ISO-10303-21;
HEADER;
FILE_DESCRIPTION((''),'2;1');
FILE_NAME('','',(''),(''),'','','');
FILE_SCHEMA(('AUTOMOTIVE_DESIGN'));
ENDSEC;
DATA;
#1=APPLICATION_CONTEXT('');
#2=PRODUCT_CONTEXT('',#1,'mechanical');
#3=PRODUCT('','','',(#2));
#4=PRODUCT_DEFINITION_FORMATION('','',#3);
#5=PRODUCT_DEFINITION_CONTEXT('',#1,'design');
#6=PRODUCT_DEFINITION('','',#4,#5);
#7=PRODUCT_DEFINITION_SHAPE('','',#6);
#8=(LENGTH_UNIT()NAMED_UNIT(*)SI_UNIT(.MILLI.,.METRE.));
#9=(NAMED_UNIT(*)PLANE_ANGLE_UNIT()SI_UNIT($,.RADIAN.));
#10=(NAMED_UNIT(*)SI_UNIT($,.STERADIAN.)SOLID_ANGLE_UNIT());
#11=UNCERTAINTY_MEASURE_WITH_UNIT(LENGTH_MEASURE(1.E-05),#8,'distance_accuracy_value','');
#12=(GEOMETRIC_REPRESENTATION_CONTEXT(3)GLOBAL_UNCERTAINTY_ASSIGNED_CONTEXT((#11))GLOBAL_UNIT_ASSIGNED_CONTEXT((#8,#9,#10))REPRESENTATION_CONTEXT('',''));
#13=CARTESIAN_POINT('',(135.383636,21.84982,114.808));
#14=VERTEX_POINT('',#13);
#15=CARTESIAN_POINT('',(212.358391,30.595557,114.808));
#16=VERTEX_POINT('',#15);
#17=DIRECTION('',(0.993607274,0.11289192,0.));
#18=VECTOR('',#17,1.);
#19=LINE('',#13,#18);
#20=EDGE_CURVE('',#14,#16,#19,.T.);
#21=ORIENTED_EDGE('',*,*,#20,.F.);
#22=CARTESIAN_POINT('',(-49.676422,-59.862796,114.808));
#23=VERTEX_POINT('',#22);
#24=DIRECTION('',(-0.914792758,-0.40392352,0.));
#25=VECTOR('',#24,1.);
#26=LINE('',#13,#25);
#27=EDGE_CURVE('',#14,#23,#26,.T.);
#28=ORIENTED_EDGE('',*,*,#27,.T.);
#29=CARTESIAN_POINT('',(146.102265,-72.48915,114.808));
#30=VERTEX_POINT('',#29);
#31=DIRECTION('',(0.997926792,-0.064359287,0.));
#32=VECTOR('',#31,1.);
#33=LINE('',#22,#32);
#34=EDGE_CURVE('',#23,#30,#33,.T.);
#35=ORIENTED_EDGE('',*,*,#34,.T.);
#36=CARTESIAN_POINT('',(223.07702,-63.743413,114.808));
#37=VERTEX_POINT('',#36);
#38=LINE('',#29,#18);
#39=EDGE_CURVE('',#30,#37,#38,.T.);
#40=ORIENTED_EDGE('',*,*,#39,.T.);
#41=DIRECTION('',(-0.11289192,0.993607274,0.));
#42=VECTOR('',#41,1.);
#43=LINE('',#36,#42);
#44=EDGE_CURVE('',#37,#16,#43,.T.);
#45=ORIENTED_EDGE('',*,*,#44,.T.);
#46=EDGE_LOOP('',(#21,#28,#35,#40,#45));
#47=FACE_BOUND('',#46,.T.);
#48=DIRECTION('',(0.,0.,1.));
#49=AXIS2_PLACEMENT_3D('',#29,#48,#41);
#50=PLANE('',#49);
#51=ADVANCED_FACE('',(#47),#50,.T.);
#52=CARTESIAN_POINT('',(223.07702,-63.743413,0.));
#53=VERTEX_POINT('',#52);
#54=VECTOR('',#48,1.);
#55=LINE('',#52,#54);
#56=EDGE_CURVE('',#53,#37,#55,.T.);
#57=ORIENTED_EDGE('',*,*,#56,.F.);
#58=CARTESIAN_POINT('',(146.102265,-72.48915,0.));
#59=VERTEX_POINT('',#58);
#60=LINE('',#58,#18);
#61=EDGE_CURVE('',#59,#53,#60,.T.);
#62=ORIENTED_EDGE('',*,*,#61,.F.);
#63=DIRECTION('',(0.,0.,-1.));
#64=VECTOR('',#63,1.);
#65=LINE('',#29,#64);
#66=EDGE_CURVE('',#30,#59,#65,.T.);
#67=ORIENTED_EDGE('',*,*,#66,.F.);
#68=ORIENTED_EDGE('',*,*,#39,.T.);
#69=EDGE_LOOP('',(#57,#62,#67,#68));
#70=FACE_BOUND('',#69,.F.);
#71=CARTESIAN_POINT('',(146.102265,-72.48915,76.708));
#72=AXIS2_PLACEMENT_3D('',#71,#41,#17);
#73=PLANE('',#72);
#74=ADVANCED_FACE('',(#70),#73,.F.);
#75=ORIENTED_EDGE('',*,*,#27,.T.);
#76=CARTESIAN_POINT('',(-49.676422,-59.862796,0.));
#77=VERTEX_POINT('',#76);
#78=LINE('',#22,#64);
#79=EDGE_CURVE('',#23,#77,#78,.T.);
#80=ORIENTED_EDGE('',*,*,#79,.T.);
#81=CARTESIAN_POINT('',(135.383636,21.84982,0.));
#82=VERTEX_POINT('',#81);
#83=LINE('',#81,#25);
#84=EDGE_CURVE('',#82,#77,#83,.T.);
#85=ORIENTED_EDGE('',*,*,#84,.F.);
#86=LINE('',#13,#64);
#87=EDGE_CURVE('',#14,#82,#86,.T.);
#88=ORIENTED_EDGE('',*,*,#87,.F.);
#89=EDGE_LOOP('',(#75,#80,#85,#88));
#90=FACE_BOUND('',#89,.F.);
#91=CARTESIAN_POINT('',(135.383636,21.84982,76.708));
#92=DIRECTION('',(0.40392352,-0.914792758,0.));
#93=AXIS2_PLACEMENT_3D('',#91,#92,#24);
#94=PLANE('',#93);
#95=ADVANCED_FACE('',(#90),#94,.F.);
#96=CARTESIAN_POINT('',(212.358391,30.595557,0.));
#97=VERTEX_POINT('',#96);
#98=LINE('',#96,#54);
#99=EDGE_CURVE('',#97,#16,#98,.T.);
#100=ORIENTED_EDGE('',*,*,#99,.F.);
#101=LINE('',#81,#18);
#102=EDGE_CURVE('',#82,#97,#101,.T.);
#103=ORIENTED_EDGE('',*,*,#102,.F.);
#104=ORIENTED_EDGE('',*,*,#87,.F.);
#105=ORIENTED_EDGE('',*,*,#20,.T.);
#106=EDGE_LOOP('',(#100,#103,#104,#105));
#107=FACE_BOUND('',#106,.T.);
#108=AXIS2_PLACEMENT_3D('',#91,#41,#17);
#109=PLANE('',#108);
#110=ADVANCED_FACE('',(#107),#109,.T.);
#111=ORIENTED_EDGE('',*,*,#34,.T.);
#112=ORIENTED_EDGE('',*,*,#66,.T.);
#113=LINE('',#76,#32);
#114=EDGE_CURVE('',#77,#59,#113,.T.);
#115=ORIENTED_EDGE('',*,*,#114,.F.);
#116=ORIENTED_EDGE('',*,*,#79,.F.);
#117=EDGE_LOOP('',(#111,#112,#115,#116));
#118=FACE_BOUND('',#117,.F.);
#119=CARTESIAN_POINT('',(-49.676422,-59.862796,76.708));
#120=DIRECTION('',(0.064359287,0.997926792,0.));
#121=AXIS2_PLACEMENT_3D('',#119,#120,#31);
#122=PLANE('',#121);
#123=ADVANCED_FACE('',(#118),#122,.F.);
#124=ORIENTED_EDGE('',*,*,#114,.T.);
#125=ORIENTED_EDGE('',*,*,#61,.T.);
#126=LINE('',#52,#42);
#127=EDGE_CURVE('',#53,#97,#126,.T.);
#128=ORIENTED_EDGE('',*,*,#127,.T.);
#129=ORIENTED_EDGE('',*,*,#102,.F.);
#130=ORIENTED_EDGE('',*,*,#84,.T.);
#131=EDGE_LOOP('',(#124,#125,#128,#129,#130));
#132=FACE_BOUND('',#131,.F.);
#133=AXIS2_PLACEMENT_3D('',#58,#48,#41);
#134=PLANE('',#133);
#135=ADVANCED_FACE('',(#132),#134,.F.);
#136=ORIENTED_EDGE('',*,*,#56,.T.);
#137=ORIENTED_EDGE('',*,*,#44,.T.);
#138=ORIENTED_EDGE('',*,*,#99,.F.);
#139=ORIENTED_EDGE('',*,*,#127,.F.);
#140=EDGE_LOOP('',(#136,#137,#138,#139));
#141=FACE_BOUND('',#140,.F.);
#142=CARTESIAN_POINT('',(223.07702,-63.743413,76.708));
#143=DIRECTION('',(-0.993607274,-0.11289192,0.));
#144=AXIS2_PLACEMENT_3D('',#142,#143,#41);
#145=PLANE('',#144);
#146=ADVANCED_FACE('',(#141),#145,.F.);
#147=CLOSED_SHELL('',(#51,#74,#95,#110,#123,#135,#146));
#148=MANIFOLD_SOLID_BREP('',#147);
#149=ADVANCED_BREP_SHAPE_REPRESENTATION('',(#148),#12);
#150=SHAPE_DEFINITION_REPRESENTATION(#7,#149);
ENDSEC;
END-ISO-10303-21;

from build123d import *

# Parameters (mm, degrees)
F1_DEPTH = 76.708
F2_DEPTH = 77.47
F3_DEPTH = 38.1


with BuildPart() as f1:
    # F0 (on Top) → F1 (new body)
    with BuildSketch(Plane.XY):
        Polygon((135.3836357594, 21.8498203903), (-49.6764220297, -59.8627962172), (146.1022645235, -72.4891498685), align=None)
    extrude(amount=F1_DEPTH)

    # F2 (add): a face of the model
    f2_faces = [f1.faces().sort_by_distance(p)[0] for p in [
        (140.7429501414, -25.3196647391, 38.354),
    ]]
    extrude(f2_faces, amount=F2_DEPTH)

    # F3 (add): a face of the model
    f3_faces = [f1.faces().sort_by_distance(p)[0] for p in [
        (122.6602477732, -29.7614131006, 76.708),
    ]]
    extrude(f3_faces, amount=F3_DEPTH)


solid = f1.part
